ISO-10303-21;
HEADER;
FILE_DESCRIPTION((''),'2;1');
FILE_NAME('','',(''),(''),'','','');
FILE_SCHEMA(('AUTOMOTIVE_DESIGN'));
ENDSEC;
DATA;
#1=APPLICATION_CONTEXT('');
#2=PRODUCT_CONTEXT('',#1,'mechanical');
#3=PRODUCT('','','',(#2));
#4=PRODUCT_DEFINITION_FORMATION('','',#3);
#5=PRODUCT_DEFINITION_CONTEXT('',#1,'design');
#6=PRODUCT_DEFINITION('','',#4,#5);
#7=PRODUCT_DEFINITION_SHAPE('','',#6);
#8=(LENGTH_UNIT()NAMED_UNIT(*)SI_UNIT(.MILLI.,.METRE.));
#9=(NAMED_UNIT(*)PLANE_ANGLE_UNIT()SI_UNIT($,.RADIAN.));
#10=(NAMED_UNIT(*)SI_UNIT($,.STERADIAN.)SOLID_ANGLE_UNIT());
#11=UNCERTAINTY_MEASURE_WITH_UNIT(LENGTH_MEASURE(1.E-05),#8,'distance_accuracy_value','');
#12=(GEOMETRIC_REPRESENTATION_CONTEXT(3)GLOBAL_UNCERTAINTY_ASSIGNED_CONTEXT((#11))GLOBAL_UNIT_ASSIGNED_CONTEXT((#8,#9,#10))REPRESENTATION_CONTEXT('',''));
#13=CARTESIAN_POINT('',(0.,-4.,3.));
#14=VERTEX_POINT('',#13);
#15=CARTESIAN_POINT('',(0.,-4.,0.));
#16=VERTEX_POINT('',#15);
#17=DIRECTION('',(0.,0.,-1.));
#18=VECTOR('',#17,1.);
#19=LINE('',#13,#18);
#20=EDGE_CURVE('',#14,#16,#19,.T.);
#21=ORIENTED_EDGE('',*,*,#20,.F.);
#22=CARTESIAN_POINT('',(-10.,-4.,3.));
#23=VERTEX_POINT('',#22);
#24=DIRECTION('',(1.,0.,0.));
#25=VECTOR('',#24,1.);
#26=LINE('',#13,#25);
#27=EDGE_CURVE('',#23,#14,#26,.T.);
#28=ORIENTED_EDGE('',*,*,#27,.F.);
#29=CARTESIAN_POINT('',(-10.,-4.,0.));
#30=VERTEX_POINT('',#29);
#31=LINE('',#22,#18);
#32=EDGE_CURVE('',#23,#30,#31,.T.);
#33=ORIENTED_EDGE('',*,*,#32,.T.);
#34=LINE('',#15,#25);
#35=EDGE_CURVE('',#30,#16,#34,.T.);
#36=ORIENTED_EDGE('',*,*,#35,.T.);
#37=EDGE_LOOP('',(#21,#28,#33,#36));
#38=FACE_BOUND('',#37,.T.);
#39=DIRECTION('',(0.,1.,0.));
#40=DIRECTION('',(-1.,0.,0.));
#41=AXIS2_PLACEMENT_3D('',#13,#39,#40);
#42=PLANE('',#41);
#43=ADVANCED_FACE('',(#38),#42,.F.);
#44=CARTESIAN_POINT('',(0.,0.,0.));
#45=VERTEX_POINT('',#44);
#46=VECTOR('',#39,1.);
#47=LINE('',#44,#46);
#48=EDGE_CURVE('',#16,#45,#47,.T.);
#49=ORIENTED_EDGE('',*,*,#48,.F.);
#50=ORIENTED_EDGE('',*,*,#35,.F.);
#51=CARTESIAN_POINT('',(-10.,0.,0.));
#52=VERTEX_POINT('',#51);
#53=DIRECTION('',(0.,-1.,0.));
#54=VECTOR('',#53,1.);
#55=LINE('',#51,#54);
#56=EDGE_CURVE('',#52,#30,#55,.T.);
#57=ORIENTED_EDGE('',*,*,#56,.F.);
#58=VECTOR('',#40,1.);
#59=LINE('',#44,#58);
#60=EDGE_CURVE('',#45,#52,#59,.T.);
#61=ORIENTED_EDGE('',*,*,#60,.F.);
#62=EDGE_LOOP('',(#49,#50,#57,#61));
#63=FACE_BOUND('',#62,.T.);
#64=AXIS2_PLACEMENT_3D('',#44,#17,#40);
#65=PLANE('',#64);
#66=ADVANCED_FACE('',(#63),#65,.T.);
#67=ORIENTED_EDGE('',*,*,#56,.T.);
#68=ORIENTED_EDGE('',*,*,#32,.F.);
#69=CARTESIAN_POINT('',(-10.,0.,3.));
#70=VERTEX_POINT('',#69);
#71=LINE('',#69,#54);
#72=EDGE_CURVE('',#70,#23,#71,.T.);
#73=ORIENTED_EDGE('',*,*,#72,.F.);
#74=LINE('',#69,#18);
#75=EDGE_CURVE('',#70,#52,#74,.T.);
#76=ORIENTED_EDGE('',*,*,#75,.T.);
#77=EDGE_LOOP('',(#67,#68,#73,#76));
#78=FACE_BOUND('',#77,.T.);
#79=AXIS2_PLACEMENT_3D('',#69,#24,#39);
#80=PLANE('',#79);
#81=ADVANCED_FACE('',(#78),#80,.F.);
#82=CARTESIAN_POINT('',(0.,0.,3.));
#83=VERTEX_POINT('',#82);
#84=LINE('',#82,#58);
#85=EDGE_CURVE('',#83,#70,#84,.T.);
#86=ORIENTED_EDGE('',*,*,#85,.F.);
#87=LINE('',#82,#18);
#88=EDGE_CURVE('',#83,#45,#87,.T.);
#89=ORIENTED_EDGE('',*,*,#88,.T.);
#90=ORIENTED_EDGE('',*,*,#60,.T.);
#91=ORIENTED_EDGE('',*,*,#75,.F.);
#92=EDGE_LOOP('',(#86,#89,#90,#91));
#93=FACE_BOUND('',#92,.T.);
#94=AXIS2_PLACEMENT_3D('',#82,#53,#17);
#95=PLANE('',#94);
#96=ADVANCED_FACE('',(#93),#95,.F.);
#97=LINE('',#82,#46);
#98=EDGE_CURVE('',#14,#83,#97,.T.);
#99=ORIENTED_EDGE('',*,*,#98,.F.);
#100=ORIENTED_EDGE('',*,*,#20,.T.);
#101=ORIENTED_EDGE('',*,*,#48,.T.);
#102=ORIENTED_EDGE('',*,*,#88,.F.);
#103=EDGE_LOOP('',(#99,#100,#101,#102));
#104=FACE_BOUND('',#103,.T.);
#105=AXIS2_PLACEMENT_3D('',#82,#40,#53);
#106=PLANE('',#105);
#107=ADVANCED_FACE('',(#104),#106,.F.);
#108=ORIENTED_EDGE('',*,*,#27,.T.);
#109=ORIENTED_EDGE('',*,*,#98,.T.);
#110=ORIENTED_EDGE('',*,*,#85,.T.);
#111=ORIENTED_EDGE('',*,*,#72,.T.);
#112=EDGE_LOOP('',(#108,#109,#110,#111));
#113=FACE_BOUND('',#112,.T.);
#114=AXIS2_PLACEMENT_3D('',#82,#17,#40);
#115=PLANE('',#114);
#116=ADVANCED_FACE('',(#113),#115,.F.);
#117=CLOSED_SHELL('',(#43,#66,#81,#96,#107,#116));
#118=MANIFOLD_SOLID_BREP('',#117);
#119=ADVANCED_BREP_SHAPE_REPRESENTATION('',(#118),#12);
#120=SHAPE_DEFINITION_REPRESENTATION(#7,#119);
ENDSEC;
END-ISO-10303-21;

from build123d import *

# Parameters (mm, degrees)
SKETCH1_W           = 10
SKETCH1_H           = 4
BOSS_EXTRUDE1_DEPTH = 3


with BuildPart() as part:
    # Sketch1 → Boss-Extrude1 (new body)
    with BuildSketch(Plane.XY):
        with Locations((-5, -2)):
            Rectangle(SKETCH1_W, SKETCH1_H)
    extrude(amount=BOSS_EXTRUDE1_DEPTH)


solid = part.part
